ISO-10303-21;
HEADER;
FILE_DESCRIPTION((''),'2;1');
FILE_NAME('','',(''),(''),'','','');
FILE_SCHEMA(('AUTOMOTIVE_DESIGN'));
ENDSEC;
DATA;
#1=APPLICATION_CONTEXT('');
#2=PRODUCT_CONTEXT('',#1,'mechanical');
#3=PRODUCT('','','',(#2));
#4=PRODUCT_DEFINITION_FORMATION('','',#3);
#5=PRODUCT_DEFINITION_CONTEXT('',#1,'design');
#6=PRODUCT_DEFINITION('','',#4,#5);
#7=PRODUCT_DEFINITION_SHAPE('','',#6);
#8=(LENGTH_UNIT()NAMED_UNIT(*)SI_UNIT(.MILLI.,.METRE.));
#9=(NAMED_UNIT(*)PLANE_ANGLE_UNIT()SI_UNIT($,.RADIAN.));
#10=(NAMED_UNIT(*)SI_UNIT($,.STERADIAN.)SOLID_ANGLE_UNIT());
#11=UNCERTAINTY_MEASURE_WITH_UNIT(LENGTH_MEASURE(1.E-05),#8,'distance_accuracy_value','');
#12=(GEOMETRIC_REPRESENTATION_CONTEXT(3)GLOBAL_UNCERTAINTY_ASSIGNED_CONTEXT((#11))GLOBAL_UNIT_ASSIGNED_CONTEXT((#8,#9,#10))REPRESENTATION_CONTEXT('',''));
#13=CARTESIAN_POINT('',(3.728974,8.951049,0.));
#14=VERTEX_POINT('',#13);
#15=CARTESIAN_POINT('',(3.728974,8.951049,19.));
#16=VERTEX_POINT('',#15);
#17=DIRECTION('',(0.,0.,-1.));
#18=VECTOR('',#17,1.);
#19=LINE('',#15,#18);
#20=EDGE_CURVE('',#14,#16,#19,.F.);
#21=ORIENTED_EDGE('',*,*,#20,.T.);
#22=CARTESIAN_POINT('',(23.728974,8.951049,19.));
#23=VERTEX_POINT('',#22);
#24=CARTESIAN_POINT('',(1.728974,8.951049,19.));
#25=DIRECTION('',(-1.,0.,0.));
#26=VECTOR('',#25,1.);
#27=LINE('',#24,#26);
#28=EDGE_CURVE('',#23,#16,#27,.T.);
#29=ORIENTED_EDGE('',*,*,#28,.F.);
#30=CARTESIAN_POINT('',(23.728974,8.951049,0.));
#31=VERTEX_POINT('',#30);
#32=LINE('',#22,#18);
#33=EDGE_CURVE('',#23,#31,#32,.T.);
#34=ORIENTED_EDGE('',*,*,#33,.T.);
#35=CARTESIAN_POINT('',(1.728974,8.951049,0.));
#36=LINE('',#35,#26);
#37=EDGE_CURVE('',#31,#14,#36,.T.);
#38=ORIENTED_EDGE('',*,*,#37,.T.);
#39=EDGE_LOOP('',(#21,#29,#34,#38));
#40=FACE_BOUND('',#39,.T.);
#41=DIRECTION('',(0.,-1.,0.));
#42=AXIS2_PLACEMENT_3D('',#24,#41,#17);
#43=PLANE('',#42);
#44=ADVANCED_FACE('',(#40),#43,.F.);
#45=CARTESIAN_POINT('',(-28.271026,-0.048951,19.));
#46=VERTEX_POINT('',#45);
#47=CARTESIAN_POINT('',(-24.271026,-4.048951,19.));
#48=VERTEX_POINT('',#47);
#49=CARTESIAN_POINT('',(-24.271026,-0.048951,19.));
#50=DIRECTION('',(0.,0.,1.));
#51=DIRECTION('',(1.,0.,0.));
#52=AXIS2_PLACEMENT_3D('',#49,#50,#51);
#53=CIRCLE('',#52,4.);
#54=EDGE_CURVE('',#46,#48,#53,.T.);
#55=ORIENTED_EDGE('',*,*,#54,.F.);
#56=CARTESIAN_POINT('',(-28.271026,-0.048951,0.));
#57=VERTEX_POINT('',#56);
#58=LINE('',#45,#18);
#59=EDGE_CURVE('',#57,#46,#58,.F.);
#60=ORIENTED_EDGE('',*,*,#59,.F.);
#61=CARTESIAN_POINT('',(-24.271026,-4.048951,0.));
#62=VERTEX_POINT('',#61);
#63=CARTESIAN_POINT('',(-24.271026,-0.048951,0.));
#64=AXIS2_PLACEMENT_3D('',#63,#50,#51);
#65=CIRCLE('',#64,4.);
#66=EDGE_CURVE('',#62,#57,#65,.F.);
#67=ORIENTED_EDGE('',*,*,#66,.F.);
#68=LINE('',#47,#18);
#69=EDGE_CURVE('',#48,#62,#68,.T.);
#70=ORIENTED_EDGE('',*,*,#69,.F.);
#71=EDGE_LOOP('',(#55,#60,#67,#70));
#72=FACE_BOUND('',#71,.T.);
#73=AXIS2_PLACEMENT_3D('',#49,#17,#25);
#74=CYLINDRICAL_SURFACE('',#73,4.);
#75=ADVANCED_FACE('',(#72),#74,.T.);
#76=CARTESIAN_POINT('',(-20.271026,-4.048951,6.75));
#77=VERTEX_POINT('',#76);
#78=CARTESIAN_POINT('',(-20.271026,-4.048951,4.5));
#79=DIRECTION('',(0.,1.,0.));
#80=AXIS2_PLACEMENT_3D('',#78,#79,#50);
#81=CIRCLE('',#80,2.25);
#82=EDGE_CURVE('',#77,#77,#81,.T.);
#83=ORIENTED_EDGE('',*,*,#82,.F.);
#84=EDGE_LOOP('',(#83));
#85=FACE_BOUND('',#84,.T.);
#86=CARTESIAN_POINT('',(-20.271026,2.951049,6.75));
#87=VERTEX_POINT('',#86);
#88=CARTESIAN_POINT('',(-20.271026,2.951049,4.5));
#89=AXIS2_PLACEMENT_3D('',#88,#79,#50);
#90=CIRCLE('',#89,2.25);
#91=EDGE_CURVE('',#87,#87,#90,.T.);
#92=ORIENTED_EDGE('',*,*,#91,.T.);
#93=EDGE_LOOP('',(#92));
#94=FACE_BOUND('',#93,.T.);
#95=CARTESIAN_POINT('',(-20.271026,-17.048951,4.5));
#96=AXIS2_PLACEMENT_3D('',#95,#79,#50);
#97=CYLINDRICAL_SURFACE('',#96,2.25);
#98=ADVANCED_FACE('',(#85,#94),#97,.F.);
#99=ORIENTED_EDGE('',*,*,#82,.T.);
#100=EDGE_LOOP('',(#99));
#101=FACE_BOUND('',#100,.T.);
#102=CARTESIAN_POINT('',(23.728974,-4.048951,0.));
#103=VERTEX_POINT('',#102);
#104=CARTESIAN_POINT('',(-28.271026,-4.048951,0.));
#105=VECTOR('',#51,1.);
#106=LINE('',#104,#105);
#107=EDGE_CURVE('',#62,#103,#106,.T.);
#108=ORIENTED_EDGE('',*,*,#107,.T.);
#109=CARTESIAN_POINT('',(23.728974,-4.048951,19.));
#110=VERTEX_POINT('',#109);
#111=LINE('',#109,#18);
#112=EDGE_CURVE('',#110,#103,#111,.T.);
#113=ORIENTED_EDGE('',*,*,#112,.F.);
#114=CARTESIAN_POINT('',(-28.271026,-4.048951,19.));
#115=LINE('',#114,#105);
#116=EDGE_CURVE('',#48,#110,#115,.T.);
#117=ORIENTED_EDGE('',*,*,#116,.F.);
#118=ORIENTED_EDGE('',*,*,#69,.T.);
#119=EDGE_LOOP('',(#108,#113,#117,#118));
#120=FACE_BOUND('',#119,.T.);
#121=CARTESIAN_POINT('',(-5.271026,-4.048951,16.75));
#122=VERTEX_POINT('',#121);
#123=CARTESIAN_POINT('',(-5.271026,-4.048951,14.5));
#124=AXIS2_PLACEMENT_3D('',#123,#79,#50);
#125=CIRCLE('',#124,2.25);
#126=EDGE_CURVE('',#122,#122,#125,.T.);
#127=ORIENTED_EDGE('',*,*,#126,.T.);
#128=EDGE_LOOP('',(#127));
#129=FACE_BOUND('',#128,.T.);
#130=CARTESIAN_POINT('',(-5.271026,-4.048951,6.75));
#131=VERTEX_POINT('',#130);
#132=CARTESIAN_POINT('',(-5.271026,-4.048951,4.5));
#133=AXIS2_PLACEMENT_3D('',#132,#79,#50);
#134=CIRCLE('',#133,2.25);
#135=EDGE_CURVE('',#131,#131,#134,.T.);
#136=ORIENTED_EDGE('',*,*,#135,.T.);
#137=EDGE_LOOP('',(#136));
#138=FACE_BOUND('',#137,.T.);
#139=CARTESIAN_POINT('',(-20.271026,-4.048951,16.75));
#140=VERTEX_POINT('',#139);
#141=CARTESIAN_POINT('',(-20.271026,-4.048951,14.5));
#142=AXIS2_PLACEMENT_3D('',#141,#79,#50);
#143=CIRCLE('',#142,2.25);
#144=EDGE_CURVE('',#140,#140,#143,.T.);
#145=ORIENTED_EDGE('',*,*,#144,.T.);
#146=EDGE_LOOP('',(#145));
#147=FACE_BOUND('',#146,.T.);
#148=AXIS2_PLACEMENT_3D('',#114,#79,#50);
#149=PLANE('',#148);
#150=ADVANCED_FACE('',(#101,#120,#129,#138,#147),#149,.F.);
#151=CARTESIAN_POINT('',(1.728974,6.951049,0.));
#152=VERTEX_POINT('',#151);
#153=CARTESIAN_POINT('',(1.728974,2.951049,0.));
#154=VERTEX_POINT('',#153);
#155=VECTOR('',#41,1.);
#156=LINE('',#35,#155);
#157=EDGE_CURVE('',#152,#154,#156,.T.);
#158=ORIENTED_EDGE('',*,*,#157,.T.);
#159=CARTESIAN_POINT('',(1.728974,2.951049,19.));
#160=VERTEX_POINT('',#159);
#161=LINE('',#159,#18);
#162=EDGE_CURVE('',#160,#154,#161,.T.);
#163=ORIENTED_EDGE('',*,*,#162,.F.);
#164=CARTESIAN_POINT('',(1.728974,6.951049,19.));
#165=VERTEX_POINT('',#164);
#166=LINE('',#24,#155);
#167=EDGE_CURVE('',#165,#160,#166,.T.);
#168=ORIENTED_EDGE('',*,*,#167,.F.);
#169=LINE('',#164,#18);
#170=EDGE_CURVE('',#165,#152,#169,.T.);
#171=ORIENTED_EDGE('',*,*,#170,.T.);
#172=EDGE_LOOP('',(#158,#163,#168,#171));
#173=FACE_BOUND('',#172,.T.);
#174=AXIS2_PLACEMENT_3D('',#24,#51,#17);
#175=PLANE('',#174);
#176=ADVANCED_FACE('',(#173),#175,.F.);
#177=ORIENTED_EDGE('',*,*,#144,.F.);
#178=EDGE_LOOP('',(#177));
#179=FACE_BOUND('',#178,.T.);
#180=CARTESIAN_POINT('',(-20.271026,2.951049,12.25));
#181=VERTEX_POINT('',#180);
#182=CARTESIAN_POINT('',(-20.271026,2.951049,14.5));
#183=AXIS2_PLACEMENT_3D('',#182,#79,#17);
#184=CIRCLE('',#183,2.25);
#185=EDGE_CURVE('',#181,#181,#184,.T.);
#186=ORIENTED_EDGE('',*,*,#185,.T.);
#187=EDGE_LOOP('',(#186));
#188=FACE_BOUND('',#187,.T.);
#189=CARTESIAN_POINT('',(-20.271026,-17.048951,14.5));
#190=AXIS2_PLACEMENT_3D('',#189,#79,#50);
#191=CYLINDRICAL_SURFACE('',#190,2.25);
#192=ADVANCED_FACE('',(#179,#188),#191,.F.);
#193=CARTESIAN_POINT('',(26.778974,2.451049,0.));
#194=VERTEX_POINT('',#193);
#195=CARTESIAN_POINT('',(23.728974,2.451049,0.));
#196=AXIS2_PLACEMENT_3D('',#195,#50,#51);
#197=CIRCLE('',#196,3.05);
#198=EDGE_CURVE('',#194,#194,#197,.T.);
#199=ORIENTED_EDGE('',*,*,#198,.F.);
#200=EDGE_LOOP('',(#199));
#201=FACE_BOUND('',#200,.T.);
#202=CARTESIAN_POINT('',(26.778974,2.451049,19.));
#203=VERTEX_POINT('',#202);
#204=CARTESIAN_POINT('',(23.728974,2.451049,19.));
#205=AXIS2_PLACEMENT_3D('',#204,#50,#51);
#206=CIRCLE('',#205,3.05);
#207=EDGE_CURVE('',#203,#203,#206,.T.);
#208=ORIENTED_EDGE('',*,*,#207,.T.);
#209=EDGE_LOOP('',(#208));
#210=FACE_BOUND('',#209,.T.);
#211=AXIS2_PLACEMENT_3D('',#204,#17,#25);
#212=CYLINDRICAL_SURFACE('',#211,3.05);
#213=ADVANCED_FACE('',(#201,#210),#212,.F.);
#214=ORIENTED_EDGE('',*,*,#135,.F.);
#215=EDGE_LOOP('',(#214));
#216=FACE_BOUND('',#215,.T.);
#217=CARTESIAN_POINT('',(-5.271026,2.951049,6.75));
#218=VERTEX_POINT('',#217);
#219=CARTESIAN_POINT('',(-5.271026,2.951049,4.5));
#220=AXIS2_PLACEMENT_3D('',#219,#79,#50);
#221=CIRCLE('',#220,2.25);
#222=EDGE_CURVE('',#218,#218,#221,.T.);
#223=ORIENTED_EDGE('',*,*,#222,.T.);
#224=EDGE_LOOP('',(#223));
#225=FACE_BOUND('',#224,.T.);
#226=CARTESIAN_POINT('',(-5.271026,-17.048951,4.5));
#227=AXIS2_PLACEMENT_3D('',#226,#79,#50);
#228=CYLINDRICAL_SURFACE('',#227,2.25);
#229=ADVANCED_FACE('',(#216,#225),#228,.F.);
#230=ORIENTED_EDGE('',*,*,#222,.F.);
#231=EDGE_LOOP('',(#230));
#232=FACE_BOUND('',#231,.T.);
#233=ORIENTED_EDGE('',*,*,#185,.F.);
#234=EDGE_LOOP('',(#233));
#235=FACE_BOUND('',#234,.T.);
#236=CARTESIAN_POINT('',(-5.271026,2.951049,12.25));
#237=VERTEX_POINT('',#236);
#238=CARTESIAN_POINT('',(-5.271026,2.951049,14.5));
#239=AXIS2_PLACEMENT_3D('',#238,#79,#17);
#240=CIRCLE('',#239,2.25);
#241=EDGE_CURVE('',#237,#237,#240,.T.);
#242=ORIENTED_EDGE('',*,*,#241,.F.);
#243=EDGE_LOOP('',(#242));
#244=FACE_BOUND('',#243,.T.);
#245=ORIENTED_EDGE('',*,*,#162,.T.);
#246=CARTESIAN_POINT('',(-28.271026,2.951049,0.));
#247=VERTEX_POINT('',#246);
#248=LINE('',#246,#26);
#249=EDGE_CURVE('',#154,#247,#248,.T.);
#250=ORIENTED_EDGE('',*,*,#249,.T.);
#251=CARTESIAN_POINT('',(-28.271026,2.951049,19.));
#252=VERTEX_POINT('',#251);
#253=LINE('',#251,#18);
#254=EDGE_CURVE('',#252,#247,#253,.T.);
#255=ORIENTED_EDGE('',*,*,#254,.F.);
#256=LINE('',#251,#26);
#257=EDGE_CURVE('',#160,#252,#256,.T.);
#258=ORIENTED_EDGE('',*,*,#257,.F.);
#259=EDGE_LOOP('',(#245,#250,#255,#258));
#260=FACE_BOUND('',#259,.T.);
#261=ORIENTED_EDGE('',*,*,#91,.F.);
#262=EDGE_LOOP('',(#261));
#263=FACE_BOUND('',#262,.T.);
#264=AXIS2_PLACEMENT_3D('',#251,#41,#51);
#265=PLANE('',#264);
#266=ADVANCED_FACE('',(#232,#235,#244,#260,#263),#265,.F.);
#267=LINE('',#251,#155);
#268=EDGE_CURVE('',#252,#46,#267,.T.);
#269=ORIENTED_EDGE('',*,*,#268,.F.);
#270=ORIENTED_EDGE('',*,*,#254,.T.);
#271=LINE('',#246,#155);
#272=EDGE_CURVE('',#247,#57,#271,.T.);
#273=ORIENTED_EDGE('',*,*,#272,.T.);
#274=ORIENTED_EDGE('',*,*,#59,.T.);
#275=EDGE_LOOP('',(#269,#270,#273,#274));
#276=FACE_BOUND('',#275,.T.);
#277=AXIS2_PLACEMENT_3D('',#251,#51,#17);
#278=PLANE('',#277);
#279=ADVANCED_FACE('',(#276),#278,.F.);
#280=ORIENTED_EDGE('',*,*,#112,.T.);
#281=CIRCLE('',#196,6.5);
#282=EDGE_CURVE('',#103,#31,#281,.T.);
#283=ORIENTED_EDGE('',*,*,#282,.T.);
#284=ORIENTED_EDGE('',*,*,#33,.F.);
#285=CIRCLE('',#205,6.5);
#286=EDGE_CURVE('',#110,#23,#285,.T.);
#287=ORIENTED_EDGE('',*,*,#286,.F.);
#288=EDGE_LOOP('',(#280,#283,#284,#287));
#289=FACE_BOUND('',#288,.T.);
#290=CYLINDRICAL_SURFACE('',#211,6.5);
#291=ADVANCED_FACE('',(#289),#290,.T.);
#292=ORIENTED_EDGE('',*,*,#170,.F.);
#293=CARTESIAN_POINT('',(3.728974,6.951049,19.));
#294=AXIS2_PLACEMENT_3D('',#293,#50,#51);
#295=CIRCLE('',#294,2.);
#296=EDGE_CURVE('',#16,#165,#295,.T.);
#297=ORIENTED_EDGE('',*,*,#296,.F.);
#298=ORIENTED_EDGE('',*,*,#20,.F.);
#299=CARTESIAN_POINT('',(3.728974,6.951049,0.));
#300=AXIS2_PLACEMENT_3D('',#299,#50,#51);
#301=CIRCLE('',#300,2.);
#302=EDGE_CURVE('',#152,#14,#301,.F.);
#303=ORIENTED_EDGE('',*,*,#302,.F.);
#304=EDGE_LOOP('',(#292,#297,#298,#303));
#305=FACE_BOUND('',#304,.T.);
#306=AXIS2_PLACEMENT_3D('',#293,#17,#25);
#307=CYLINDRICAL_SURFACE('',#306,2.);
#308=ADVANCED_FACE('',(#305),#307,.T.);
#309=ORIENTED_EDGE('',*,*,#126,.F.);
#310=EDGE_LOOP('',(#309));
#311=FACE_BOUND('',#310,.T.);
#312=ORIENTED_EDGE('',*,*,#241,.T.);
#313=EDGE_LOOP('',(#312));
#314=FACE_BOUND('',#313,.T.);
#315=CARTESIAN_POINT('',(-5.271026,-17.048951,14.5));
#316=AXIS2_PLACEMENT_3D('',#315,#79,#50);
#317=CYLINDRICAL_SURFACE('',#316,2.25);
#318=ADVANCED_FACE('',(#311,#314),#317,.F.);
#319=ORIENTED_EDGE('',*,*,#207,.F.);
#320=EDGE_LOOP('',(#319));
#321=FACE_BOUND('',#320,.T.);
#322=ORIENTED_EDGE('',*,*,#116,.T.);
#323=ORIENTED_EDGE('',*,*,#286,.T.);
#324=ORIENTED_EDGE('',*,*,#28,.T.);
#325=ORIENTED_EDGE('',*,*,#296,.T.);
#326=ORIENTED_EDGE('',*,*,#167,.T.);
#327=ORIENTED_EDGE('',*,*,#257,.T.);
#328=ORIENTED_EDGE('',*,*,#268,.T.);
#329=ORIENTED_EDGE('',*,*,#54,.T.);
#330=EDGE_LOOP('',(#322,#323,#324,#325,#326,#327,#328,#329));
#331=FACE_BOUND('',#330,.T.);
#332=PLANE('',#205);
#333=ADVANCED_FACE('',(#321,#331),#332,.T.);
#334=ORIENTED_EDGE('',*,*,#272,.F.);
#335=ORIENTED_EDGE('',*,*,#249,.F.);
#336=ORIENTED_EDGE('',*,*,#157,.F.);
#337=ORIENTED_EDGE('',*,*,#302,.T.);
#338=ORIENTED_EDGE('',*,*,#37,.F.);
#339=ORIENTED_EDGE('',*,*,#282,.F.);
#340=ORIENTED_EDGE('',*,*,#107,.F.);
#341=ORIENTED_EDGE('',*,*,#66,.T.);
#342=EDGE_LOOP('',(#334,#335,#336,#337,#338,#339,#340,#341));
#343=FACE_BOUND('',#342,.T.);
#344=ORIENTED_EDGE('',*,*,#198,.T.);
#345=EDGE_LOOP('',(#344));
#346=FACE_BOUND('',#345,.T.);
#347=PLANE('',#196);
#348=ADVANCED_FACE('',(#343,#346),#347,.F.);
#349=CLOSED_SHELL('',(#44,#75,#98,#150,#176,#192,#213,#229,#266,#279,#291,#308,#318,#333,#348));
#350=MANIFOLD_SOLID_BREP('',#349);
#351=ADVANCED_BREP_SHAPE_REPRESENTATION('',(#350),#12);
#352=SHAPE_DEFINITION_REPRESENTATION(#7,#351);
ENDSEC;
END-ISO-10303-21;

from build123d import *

# Parameters (mm, degrees)
SKETCH_1_R          = 3.05
EXTRUDE_1_DEPTH     = 19
SKETCH_2_R          = 2.25
CUT_EXTRUDE_1_DEPTH = 20
FILLET_1_R          = 4
FILLET_2_R          = 2


with BuildPart() as part:
    # 草图1 → 凸台-拉伸1 (new body)
    with BuildSketch(Plane.XY):
        with BuildLine():
            Line((1.728973827, 8.951048951), (23.728973827, 8.951048951))
            ThreePointArc((23.728973827, 8.951048951), (30.228973827, 2.451048951), (23.728973827, -4.048951049))
            Line((23.728973827, -4.048951049), (-28.271026173, -4.048951049))
            Line((-28.271026173, -4.048951049), (-28.271026173, 2.951048951))
            Line((-28.271026173, 2.951048951), (1.728973827, 2.951048951))
            Line((1.728973827, 2.951048951), (1.728973827, 8.951048951))
        make_face()
        with Locations((23.728973827, 2.451048951)):
            Circle(SKETCH_1_R, mode=Mode.SUBTRACT)
    extrude(amount=EXTRUDE_1_DEPTH)

    # 草图2 → 切除-拉伸1 (cut)
    with BuildSketch(Plane(origin=(0, 2.951048951, 0), x_dir=(1, 0, 0), z_dir=(0, 1, 0))):
        with Locations((-20.271026173, -4.5)):
            Circle(SKETCH_2_R)
        with Locations((-5.271026173, -4.5)):
            Circle(SKETCH_2_R)
        with Locations((-5.271026173, -14.5)):
            Circle(SKETCH_2_R)
        with Locations((-20.271026173, -14.5)):
            Circle(SKETCH_2_R)
    extrude(amount=-CUT_EXTRUDE_1_DEPTH, mode=Mode.SUBTRACT)

    # 圆角1
    fillet_1_edges = [part.edges().sort_by_distance(p)[0] for p in [
        (-28.271026173, -4.048951049, 9.5),
    ]]
    fillet(fillet_1_edges, radius=FILLET_1_R)

    # 圆角2
    fillet_2_edges = [part.edges().sort_by_distance(p)[0] for p in [
        (1.728973827, 8.951048951, 9.5),
    ]]
    fillet(fillet_2_edges, radius=FILLET_2_R)


solid = part.part
